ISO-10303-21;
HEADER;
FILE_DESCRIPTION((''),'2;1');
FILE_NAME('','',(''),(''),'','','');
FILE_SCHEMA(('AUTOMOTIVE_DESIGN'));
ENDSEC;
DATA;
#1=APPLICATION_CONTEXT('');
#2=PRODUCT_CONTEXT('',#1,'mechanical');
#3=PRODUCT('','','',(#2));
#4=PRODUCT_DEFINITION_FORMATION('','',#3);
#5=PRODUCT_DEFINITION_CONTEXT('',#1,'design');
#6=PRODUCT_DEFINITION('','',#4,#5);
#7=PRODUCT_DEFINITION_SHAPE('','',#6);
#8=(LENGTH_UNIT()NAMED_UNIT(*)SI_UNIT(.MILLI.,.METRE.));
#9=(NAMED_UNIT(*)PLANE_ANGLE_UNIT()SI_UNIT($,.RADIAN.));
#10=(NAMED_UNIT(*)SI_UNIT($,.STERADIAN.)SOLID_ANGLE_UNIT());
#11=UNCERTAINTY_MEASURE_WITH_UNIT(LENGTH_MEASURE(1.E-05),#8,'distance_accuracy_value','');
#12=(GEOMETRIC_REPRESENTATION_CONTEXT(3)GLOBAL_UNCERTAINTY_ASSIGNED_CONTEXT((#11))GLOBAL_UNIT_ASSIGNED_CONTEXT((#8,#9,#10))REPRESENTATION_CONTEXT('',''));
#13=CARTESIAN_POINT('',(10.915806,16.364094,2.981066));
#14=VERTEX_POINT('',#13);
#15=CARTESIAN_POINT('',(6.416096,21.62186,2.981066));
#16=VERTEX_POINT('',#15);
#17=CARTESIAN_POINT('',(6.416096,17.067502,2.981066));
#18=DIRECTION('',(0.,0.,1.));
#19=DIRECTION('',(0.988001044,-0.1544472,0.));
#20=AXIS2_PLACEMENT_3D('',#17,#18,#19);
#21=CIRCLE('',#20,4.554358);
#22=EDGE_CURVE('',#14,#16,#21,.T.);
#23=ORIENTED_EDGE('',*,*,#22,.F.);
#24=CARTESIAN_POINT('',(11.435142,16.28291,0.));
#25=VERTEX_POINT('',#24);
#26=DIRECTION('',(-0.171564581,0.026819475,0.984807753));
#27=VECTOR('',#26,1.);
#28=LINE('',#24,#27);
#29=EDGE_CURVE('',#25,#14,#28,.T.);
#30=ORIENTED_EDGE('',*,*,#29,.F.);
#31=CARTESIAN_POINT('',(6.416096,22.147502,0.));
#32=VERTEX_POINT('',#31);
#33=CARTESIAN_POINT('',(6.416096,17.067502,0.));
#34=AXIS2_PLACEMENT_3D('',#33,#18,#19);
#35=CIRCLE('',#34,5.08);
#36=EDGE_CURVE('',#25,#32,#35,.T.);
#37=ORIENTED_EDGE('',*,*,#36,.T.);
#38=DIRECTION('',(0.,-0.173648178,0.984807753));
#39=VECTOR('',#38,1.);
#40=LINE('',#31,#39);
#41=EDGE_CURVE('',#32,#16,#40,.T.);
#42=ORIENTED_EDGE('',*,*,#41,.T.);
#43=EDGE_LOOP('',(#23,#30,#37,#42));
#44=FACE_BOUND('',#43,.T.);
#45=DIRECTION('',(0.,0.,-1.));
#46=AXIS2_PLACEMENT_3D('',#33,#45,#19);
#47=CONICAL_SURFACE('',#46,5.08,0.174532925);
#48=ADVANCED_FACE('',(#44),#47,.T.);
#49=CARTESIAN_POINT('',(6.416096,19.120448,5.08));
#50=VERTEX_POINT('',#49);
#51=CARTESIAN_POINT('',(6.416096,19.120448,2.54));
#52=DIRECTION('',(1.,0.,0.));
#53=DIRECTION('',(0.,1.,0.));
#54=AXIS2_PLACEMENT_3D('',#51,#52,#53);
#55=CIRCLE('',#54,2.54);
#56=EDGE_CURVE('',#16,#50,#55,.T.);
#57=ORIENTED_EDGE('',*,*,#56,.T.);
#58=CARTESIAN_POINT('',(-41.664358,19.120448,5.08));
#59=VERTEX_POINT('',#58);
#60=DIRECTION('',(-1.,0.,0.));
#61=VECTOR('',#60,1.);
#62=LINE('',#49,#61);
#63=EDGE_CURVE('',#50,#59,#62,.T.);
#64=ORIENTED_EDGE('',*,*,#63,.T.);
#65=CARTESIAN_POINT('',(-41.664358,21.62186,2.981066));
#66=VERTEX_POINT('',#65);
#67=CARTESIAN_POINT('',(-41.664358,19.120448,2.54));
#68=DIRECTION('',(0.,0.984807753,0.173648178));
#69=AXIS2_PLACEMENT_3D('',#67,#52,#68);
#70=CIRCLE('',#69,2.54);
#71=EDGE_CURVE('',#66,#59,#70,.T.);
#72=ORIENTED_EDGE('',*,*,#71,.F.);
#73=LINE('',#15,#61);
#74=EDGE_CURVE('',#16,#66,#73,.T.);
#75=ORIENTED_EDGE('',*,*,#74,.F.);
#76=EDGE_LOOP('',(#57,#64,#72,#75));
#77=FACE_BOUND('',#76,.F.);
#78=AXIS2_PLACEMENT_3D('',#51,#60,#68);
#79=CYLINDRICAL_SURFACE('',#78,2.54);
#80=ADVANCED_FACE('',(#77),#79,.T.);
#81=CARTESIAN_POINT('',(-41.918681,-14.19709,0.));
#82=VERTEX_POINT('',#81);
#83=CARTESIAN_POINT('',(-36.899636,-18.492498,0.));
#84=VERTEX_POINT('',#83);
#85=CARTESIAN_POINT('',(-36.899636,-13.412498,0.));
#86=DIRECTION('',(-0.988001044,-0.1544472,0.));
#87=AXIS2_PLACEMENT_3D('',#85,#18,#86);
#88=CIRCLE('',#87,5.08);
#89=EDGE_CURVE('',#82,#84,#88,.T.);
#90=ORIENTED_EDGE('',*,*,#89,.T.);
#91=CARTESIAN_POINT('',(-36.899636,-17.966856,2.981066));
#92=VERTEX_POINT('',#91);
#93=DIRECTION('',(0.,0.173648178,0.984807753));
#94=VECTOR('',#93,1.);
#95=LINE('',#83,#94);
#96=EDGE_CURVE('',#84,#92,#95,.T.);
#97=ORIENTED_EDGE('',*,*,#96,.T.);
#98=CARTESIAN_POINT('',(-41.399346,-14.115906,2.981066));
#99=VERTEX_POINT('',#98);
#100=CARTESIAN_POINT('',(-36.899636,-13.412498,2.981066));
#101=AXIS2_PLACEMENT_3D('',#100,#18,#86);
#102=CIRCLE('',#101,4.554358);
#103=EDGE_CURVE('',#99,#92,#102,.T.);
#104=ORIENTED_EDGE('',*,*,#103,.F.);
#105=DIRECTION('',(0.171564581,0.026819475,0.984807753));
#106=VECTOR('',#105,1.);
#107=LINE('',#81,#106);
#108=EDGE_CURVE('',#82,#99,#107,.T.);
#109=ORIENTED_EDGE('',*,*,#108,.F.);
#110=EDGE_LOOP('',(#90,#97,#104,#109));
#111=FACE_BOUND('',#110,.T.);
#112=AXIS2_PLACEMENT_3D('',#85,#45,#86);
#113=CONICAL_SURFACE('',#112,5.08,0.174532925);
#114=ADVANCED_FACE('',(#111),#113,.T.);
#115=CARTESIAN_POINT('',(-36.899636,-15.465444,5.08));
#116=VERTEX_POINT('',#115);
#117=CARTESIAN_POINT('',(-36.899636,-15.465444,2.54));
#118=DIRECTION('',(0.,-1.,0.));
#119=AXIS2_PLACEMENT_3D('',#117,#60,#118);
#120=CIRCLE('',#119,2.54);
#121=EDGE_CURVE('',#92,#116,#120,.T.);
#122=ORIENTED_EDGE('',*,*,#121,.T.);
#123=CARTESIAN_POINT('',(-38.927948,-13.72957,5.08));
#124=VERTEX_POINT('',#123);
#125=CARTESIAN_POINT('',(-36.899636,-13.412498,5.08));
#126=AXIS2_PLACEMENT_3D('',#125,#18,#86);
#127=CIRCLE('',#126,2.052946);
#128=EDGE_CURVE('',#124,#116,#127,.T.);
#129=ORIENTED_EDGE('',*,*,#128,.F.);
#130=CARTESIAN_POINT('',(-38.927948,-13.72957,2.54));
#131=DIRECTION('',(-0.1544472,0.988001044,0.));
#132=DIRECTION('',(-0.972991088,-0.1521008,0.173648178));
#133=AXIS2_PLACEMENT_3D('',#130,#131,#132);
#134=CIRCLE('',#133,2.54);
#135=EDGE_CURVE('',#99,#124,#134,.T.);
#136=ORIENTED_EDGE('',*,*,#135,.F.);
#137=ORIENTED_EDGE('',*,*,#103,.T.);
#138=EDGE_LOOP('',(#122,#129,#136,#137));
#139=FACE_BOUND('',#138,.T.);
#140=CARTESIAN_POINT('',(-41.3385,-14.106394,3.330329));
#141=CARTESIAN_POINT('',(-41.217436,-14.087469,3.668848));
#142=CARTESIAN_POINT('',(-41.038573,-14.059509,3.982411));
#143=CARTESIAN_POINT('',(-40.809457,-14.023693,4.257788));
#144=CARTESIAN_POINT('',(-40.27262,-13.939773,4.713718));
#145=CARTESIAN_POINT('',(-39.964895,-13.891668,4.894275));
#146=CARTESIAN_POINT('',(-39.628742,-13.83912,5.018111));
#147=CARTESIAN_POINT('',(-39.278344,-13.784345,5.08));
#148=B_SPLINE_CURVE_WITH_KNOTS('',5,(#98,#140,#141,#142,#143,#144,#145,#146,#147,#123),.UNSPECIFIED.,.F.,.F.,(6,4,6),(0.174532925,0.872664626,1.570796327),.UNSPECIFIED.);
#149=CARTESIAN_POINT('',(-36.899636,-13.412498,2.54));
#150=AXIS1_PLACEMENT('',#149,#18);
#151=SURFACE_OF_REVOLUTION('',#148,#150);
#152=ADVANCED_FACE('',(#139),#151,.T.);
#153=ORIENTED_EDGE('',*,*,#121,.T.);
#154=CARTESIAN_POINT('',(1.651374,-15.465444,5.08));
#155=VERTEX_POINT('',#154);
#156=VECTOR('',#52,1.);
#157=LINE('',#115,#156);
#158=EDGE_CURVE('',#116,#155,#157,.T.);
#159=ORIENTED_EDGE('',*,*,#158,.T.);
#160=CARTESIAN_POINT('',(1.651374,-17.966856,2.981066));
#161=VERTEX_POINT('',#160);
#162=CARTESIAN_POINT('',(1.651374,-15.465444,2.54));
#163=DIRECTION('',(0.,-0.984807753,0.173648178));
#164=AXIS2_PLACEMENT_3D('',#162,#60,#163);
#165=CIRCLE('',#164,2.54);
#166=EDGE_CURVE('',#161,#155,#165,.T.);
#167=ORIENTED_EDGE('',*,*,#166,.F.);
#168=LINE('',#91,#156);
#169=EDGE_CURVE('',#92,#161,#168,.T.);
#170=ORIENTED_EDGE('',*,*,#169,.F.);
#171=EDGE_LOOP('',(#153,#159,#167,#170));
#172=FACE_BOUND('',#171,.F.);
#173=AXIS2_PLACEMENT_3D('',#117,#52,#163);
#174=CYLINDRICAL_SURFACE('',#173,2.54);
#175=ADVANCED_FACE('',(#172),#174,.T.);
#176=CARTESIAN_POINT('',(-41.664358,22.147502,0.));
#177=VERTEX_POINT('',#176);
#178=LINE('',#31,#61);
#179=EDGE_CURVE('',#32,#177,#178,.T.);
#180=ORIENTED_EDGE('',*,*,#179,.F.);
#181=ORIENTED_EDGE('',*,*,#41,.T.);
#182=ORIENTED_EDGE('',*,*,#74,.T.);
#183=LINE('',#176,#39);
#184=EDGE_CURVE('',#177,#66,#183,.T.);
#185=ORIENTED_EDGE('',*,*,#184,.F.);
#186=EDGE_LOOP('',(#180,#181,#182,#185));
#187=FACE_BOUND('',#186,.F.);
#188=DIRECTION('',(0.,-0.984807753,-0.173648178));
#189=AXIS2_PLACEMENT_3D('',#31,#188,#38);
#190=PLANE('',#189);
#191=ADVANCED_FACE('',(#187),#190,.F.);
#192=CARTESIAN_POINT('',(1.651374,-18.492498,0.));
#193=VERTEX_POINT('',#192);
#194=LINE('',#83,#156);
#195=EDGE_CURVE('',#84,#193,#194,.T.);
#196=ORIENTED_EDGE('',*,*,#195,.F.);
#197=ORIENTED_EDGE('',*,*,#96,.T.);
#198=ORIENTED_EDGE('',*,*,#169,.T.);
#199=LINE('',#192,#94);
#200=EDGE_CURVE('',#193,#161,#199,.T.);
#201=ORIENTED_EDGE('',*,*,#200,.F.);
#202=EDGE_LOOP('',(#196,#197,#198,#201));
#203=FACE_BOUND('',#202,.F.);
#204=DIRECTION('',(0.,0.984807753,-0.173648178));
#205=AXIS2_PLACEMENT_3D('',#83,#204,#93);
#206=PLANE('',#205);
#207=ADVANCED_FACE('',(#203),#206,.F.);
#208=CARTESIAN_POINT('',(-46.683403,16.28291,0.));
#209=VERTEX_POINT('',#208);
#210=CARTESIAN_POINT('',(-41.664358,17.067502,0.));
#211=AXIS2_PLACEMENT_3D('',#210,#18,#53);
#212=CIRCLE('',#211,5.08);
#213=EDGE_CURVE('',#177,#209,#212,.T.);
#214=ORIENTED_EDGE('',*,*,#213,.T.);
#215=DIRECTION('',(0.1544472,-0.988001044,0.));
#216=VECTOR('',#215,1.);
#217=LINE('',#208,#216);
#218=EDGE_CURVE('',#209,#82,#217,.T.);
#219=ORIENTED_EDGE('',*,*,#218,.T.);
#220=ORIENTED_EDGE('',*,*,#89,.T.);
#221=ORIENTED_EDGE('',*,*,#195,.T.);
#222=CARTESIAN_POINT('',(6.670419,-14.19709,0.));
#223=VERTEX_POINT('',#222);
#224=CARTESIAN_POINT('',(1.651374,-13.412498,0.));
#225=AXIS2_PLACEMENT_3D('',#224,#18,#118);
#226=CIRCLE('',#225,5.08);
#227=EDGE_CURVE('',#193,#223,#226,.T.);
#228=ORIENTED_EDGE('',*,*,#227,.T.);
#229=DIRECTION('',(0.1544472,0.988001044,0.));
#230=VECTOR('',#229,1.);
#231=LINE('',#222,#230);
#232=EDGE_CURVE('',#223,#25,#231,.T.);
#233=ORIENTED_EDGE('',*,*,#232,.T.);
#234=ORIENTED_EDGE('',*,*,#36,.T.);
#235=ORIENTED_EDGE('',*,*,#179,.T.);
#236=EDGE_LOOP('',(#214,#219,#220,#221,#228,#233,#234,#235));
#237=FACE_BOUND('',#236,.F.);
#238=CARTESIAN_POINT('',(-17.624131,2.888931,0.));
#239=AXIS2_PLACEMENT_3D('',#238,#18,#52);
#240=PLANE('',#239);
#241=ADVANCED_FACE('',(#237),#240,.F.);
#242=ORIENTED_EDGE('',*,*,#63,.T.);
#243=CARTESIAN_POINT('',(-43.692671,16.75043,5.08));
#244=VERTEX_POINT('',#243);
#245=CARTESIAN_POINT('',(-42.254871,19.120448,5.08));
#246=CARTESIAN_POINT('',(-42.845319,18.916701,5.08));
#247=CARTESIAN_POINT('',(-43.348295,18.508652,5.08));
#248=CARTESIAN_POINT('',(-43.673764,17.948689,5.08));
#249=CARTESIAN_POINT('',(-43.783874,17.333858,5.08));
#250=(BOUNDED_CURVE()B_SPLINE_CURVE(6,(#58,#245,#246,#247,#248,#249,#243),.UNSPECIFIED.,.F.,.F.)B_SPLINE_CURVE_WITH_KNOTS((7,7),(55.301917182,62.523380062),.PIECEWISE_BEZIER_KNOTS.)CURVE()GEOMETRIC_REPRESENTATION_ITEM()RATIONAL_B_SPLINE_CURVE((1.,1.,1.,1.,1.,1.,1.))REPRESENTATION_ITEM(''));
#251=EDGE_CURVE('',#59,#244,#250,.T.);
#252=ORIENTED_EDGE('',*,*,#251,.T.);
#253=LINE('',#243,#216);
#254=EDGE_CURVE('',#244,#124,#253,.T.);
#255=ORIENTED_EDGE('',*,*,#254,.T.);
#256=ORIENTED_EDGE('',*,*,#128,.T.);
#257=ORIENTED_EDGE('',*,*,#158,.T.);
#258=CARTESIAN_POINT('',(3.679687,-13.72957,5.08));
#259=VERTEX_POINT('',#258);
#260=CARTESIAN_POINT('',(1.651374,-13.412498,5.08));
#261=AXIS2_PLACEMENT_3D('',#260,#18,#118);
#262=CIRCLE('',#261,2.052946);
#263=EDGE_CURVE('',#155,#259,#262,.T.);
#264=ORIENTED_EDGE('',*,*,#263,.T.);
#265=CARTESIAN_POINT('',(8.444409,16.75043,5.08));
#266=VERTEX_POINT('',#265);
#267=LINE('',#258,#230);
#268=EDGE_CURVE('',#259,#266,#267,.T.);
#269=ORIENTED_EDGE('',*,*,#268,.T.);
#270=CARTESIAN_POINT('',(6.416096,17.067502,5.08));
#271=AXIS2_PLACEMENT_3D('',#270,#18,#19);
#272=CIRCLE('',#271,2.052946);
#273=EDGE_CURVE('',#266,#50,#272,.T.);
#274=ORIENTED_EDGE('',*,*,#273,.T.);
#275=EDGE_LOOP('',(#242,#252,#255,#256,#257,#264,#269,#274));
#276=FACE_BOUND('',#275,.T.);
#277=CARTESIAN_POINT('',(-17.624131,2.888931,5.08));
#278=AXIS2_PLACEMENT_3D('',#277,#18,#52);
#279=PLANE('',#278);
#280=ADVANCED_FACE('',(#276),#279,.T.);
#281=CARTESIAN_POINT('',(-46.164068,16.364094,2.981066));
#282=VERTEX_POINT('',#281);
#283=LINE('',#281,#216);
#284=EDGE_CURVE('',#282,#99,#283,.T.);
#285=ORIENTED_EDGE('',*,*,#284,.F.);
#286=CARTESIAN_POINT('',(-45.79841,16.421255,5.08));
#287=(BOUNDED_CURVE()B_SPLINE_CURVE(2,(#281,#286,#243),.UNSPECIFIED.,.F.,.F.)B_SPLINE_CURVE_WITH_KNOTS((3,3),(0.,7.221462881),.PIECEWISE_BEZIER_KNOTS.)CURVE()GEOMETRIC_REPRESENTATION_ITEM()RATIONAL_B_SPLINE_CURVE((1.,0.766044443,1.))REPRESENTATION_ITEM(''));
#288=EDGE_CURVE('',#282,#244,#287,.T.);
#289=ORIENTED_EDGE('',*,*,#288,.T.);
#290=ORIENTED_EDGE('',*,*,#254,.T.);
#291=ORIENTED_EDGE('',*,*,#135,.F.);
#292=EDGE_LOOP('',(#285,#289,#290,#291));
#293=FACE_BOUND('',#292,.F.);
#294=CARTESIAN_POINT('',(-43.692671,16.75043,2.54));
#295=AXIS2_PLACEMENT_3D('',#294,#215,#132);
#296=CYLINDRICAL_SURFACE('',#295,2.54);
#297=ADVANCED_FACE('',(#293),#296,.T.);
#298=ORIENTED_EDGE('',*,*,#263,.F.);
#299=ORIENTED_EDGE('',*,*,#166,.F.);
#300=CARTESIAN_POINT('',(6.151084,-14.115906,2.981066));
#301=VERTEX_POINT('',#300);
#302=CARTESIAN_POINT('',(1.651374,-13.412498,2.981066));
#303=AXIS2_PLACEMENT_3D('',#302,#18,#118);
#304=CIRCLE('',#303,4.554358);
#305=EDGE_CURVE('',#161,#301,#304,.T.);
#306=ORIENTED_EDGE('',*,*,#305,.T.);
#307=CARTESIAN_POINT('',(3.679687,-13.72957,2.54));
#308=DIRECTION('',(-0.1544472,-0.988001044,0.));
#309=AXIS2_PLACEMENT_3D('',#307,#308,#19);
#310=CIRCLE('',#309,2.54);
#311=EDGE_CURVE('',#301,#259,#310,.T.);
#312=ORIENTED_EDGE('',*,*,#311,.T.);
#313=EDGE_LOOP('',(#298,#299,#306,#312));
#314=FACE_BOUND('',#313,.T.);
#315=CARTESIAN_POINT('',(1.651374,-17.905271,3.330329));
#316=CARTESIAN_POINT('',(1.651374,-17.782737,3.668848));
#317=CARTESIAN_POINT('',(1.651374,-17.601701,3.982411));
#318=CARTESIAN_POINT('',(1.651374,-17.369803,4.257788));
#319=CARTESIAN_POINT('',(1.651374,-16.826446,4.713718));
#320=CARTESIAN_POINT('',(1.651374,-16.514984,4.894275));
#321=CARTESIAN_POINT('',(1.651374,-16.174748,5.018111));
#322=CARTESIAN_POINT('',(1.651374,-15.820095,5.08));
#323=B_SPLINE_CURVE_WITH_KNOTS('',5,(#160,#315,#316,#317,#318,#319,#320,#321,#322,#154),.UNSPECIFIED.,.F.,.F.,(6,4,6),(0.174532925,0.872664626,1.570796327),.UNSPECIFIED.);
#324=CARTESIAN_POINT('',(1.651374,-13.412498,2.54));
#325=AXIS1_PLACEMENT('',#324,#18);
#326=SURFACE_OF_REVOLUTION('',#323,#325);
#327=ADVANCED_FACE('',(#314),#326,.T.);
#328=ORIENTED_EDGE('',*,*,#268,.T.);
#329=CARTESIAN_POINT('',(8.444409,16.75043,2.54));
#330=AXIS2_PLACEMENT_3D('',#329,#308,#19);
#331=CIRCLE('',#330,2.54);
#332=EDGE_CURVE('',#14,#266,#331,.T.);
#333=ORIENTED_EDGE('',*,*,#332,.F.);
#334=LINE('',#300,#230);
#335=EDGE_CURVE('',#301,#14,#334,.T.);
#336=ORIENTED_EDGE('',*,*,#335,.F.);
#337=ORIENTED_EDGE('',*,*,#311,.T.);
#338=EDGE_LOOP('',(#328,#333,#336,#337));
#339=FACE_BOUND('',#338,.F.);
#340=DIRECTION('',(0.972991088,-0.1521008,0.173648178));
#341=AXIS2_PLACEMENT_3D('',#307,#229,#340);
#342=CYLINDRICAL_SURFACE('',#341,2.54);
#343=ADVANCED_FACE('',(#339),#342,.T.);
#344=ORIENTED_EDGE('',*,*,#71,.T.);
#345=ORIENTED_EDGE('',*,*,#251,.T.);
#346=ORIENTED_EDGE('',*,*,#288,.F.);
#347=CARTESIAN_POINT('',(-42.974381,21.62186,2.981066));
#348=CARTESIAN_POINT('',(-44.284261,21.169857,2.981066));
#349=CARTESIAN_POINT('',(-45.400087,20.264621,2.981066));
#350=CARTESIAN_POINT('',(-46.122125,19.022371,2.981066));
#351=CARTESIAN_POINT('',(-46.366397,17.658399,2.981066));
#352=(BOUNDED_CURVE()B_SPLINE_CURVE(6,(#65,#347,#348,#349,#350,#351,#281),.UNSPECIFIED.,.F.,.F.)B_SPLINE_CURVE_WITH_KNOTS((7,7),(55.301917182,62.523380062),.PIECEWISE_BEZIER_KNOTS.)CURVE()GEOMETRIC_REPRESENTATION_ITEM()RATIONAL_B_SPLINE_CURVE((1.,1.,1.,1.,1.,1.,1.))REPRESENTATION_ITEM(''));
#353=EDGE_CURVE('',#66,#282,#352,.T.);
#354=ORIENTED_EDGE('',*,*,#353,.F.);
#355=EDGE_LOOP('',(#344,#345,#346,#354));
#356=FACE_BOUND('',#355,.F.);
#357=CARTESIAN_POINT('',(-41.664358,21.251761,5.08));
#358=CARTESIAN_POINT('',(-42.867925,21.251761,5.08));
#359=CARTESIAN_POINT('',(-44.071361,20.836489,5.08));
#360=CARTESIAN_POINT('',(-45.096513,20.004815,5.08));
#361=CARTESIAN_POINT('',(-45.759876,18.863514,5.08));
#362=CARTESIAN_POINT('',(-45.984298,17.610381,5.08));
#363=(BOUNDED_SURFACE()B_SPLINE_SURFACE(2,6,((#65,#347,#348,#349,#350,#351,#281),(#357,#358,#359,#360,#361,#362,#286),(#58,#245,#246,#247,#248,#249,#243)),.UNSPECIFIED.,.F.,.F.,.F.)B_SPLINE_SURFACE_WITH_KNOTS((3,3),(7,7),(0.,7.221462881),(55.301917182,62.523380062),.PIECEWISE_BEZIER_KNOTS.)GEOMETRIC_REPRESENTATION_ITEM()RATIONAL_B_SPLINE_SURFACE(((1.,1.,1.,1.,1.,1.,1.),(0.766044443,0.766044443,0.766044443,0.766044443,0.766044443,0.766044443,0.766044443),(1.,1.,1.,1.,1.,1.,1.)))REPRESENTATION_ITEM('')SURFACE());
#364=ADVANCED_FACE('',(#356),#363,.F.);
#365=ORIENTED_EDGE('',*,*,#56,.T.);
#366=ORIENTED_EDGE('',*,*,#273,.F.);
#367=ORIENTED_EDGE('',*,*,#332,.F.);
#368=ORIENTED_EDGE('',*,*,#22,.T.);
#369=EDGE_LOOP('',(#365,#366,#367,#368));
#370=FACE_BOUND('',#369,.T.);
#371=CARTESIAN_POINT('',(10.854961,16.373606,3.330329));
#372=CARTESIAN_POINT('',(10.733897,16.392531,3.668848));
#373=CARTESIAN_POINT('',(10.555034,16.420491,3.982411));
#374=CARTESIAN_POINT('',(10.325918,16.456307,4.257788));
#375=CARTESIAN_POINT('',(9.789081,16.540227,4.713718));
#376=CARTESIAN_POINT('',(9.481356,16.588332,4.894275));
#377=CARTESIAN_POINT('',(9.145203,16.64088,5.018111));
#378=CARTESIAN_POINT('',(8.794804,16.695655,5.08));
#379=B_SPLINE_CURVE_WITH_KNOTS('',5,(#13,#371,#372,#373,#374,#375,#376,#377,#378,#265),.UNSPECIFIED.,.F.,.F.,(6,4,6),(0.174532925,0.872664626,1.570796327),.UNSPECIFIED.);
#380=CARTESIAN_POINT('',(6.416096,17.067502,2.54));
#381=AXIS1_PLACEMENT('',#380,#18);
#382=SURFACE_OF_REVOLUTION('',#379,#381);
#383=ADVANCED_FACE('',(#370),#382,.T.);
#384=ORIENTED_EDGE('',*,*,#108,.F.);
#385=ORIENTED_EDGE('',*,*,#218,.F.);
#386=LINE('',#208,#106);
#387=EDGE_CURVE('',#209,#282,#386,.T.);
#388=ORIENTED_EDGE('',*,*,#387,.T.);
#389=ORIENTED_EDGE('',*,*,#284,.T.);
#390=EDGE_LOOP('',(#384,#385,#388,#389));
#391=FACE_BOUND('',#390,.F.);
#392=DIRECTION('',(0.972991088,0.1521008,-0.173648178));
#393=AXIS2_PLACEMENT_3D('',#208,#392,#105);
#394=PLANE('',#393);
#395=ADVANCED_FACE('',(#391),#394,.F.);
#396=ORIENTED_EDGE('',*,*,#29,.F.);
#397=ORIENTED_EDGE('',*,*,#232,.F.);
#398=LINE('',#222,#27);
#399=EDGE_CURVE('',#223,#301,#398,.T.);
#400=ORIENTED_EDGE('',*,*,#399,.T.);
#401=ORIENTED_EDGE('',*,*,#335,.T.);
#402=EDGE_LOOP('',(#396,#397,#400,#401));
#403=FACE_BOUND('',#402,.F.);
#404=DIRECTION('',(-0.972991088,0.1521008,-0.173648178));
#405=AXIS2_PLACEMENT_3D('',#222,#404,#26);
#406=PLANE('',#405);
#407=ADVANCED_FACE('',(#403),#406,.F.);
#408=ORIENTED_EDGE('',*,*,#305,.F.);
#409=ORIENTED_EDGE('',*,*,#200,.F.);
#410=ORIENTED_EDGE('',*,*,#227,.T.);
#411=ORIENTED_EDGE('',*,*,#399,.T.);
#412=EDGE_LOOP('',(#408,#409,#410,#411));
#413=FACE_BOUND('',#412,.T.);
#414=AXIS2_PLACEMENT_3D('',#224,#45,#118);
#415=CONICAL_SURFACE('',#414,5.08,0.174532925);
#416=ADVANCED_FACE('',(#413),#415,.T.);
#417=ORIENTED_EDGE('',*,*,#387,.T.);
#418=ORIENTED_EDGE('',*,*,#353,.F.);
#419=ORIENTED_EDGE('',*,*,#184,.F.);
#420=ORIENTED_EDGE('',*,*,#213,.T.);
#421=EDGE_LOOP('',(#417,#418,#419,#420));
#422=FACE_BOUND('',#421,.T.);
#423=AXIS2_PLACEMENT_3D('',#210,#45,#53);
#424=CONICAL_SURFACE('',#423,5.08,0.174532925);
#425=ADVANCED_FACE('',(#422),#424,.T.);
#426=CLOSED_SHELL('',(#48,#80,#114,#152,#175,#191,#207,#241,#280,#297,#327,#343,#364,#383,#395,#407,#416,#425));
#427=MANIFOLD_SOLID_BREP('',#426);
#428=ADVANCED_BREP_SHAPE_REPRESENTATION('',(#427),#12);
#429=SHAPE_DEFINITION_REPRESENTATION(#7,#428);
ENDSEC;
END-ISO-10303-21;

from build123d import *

# Parameters (mm, degrees)
F1_DEPTH = 5.08
F1_TAPER = 10
F2_R     = 2.54


with BuildPart() as f1:
    # F0 (on Top) → F1 (new body)
    with BuildSketch(Plane.XY):
        with BuildLine():
            Line((6.4160963133, 22.1475019915), (-17.6241308373, 22.1475019915))
            Line((-17.6241308373, 22.1475019915), (-41.6643579878, 22.1475019915))
            ThreePointArc((-41.6643579878, 22.1475019915), (-45.5238998144, 20.370581901), (-46.6834032899, 16.2829102154))
            Line((-46.6834032899, 16.2829102154), (-41.9186809381, -14.1970897846))
            ThreePointArc((-41.9186809381, -14.1970897846), (-40.2027155455, -17.2720398351), (-36.899635636, -18.4924980085))
            Line((-36.899635636, -18.4924980085), (-18.7403478838, -18.4924980085))
            Line((-18.7403478838, -18.4924980085), (-16.5079137907, -18.4924980085))
            Line((-16.5079137907, -18.4924980085), (1.6513739614, -18.4924980085))
            ThreePointArc((1.6513739614, -18.4924980085), (4.9544538709, -17.2720398351), (6.6704192636, -14.1970897846))
            Line((6.6704192636, -14.1970897846), (11.4351416154, 16.2829102154))
            ThreePointArc((11.4351416154, 16.2829102154), (10.2756381399, 20.370581901), (6.4160963133, 22.1475019915))
        make_face()
    extrude(amount=F1_DEPTH, taper=F1_TAPER)

    # F2
    f2_edges = [f1.edges().sort_by_distance(p)[0] for p in [
        (9.595097, 19.78816, 5.08),
        (-17.624131, 21.251761, 5.08),
        (-44.843358, 19.78816, 5.08),
        (-43.416049, 1.181255, 5.08),
        (-39.620293, -16.591498, 5.08),
        (-17.624131, -17.596757, 5.08),
        (4.372032, -16.591498, 5.08),
        (8.167787, 1.181255, 5.08),
    ]]
    fillet(f2_edges, radius=F2_R)


solid = f1.part
